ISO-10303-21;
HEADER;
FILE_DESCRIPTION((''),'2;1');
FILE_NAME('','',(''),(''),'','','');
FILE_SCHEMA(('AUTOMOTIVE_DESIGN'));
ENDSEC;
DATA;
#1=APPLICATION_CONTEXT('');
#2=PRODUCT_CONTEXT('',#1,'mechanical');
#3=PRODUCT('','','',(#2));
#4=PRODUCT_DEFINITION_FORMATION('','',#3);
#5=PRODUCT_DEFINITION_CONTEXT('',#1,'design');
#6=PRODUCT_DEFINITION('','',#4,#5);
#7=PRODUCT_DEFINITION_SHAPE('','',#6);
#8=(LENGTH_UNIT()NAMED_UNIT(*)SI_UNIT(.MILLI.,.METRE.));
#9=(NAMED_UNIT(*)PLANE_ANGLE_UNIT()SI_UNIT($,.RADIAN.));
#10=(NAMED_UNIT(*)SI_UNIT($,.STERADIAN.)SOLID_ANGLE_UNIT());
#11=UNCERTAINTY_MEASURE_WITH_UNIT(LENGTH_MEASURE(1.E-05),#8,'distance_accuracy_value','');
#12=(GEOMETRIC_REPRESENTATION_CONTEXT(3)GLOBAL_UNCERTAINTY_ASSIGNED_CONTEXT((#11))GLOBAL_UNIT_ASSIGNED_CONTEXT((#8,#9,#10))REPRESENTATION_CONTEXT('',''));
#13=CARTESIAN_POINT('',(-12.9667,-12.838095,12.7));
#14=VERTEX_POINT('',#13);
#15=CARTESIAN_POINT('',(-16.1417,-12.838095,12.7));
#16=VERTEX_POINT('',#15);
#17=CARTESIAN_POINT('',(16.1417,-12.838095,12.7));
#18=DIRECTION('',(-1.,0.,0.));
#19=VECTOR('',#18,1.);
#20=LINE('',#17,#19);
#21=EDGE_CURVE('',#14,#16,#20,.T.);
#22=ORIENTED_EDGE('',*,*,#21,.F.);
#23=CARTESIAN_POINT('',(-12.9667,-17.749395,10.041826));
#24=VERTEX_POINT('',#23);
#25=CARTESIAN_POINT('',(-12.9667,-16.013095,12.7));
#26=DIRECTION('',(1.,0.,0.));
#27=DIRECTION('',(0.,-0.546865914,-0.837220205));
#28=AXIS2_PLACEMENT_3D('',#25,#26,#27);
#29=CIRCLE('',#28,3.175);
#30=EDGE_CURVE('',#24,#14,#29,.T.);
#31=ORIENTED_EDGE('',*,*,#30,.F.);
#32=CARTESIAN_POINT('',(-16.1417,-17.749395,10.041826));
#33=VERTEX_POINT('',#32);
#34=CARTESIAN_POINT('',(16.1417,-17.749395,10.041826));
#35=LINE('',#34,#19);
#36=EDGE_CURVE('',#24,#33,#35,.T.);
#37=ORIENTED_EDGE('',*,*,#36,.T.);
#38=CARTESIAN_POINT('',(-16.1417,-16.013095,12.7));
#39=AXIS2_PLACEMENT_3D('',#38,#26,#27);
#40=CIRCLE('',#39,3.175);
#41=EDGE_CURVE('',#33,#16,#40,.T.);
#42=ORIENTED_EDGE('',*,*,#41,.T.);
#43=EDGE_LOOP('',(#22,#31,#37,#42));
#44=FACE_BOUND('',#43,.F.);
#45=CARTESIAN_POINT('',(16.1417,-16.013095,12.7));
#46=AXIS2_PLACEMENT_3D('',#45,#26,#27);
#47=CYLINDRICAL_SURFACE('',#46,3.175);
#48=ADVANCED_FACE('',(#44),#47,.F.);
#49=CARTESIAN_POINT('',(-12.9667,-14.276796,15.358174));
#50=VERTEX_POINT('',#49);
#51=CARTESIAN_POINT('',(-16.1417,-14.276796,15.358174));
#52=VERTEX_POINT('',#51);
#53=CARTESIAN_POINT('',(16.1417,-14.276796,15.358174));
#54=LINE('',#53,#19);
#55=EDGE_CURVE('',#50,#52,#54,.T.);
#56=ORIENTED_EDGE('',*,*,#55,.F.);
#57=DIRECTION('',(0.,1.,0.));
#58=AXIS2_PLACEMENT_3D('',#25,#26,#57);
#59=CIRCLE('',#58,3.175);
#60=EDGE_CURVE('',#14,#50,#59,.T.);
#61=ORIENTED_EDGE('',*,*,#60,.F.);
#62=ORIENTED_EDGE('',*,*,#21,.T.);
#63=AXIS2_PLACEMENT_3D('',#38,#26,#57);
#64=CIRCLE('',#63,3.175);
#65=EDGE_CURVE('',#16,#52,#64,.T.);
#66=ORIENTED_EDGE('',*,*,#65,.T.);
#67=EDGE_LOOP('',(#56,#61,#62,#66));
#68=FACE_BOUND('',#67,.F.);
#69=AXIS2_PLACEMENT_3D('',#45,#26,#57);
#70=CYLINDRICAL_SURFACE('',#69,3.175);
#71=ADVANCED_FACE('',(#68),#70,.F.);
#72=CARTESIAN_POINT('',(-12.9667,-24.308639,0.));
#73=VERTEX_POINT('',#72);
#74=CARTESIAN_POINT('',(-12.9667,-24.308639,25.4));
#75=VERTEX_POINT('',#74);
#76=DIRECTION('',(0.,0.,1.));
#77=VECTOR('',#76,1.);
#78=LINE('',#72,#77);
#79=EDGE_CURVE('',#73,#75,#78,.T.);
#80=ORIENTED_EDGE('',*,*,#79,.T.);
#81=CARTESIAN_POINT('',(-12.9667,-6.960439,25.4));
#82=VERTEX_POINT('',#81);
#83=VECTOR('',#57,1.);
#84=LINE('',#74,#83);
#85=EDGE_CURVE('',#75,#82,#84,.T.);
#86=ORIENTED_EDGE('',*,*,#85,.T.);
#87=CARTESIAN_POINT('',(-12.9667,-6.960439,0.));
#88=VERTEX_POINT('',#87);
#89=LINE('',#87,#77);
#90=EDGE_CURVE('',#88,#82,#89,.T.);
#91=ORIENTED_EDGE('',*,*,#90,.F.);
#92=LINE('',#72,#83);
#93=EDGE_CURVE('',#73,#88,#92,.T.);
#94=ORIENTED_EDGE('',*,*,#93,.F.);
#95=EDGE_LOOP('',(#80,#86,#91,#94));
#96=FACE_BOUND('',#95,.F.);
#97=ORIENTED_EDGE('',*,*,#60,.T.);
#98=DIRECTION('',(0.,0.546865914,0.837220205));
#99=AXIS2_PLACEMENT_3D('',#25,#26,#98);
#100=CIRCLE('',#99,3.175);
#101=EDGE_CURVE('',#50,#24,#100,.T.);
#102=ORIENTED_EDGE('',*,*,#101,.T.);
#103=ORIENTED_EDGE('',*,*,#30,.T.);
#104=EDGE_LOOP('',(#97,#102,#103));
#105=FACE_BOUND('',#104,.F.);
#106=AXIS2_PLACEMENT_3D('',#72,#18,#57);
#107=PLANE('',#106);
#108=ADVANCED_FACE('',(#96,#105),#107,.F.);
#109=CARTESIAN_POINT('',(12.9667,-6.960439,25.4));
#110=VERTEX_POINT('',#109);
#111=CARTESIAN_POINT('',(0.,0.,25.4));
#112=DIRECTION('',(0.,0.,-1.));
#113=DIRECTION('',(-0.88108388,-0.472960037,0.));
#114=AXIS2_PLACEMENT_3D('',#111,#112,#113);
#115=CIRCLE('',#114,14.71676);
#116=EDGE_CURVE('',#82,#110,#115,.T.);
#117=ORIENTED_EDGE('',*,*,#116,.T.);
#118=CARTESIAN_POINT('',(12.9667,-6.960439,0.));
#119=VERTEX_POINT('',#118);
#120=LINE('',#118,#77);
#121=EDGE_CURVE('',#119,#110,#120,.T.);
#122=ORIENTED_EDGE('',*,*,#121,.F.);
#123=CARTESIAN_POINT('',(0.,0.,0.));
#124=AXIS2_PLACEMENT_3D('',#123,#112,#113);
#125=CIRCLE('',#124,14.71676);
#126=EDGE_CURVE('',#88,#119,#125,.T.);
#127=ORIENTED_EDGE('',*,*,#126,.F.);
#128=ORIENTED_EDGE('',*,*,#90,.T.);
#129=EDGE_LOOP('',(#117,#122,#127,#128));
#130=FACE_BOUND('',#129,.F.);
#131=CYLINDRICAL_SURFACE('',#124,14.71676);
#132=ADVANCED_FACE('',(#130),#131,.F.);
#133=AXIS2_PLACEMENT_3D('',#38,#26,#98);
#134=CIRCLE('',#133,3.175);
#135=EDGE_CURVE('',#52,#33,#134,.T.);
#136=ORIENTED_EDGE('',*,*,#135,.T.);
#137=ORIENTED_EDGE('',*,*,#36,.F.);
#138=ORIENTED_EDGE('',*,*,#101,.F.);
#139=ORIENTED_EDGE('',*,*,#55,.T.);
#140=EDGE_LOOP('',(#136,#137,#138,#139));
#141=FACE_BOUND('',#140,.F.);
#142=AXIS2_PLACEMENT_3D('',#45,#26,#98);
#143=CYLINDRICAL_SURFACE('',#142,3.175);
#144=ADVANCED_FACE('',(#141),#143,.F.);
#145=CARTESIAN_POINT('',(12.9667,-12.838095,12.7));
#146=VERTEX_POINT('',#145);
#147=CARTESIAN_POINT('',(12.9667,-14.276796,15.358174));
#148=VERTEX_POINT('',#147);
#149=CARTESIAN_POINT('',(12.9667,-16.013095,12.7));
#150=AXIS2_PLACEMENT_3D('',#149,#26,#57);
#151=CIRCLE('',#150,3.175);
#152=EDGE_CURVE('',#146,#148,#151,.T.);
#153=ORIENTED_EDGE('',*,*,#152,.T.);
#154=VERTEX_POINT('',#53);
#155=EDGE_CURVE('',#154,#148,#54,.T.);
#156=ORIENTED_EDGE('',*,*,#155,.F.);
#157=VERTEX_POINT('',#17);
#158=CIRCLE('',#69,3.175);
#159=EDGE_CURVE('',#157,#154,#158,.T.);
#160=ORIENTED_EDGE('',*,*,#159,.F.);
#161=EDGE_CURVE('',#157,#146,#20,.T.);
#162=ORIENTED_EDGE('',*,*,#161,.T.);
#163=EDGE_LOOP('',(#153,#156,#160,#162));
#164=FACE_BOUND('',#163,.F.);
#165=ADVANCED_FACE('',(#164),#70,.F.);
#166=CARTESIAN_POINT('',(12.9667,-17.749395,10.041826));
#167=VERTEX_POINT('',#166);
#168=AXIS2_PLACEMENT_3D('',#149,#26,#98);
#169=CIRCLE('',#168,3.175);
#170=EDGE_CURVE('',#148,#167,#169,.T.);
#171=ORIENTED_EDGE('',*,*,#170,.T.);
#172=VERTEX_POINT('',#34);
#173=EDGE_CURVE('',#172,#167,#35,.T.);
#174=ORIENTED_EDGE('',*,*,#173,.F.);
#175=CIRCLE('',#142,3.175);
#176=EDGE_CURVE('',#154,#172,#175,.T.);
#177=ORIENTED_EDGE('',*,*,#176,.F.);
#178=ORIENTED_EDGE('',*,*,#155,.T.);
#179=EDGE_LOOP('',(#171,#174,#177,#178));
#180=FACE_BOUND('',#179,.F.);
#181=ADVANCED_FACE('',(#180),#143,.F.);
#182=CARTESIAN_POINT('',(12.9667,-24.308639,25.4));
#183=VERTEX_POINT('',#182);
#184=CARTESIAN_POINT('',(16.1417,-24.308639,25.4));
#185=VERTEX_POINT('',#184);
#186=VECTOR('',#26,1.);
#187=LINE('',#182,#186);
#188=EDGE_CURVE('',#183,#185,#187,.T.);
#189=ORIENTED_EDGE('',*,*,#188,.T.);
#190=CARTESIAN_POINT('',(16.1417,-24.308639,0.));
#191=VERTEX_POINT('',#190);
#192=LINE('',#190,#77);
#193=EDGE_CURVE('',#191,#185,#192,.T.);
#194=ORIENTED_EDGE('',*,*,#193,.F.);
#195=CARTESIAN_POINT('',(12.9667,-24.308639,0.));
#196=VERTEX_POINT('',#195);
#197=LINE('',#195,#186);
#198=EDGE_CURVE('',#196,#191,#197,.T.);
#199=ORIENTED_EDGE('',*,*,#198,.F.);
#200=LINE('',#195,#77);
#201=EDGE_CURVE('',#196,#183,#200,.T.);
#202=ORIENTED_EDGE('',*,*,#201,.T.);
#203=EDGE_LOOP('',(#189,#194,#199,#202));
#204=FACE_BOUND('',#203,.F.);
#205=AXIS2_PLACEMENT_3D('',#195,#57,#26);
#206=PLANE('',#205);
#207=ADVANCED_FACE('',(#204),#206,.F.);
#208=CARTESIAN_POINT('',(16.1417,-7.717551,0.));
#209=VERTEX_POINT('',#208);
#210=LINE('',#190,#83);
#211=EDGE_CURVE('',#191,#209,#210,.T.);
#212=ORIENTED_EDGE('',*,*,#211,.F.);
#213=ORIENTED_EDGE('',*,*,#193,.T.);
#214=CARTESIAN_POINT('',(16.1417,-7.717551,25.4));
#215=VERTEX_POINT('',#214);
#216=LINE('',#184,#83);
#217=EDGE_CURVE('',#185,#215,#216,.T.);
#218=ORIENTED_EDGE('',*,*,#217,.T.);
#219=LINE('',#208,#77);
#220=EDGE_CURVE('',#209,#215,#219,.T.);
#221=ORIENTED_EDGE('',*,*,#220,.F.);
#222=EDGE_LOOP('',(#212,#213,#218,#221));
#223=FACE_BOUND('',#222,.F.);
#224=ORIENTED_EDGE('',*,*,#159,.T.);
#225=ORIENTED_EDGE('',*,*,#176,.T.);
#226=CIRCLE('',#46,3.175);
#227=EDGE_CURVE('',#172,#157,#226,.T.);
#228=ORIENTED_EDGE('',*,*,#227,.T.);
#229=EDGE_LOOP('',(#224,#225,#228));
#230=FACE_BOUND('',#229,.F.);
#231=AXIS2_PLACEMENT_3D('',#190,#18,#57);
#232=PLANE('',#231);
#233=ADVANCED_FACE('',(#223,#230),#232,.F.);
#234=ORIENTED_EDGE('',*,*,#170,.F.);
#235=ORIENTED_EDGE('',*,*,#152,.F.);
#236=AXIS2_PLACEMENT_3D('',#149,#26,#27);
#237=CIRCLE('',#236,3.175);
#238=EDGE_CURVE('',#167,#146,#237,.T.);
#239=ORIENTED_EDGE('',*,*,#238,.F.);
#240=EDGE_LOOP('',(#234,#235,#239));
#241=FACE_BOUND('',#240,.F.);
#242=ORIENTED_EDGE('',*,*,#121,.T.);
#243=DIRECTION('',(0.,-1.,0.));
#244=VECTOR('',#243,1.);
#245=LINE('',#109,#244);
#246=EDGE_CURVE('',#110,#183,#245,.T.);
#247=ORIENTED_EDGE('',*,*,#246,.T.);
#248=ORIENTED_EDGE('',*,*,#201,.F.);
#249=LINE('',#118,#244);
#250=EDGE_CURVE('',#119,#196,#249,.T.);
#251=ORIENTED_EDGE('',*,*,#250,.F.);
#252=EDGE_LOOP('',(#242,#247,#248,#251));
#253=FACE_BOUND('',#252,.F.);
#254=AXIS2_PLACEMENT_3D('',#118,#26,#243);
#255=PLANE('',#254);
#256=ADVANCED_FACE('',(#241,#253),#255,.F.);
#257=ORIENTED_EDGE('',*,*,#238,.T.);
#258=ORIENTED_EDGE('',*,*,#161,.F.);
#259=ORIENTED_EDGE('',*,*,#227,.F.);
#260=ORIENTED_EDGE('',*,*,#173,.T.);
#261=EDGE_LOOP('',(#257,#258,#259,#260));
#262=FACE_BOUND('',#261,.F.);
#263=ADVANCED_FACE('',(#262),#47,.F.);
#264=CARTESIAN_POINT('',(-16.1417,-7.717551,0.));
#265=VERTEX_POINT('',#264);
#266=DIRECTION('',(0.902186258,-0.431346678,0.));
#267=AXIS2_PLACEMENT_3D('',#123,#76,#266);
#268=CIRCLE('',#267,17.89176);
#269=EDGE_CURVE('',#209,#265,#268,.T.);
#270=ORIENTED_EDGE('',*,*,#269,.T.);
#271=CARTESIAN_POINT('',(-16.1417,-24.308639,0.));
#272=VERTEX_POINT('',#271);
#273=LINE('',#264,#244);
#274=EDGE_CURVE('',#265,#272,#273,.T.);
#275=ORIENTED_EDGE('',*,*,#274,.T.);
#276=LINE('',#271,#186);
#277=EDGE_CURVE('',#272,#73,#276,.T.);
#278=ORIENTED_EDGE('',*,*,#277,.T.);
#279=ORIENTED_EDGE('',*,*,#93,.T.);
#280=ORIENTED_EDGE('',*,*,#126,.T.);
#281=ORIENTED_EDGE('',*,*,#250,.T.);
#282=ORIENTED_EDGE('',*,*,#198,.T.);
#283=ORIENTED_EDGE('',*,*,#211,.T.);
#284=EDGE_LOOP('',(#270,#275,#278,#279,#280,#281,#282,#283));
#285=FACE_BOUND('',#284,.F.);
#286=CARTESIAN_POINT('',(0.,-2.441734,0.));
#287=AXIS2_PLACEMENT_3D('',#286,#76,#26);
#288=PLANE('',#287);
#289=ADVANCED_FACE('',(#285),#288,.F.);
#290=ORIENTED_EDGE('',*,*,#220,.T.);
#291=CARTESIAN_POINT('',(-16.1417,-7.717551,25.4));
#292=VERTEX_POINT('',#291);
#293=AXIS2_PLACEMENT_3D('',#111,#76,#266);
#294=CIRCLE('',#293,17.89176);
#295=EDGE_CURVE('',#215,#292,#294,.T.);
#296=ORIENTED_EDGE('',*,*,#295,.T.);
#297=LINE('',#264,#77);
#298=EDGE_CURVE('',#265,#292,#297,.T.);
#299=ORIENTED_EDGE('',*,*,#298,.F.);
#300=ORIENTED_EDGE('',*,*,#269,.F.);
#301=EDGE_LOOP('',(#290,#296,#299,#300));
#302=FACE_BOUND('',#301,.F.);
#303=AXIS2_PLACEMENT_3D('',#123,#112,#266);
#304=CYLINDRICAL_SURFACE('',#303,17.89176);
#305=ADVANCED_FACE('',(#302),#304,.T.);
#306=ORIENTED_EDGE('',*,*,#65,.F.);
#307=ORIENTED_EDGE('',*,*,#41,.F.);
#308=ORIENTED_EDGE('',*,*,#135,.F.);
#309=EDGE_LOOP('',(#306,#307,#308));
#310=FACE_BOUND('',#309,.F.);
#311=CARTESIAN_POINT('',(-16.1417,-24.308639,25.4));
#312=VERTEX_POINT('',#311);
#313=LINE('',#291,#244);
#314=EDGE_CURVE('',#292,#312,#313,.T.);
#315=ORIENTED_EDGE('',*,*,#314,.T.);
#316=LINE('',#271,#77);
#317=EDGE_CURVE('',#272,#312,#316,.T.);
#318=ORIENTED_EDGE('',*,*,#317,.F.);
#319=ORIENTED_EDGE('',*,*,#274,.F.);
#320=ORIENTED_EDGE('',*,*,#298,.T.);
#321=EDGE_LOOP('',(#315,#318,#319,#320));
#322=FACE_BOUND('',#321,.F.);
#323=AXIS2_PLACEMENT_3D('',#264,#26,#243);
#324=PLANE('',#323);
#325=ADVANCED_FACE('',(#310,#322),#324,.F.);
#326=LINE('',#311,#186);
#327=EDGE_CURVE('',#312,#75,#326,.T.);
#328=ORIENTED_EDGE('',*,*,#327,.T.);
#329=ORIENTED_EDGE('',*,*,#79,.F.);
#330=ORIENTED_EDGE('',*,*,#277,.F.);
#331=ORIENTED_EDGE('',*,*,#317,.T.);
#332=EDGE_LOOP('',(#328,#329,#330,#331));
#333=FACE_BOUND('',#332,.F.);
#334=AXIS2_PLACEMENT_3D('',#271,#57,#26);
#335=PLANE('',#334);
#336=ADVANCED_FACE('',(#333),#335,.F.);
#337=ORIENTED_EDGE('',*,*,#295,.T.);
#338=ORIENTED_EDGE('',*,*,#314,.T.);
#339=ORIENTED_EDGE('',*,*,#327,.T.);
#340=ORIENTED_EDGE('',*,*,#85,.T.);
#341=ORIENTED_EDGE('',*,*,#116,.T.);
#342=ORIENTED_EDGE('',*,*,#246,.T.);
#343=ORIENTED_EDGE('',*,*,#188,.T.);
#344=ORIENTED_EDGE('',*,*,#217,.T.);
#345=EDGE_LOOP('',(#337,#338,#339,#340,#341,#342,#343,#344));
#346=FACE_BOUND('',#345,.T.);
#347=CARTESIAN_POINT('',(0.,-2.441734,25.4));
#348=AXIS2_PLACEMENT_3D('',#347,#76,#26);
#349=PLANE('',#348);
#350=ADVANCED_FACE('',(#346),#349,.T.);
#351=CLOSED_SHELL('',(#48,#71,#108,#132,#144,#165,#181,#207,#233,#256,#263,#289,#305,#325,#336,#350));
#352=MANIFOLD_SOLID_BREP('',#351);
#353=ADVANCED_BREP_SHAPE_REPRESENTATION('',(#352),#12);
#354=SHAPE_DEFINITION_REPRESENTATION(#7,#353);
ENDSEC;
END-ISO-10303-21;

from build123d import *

# Parameters (mm, degrees)
F1_DEPTH = 25.4
F3_DEPTH = 63.5


with BuildPart() as f1:
    # F0 (on Top) → F1 (new body)
    with BuildSketch(Plane.XY):
        with BuildLine():
            ThreePointArc((-12.9667, -6.9604393545), (0, 14.71676), (12.9667, -6.9604393545))
            Line((12.9667, -6.9604393545), (12.9667, -24.3086393545))
            Line((12.9667, -24.3086393545), (16.1417, -24.3086393545))
            Line((16.1417, -24.3086393545), (16.1417, -7.7175512313))
            ThreePointArc((16.1417, -7.7175512313), (0, 17.89176), (-16.1417, -7.7175512313))
            Line((-16.1417, -7.7175512313), (-16.1417, -24.3086393545))
            Line((-16.1417, -24.3086393545), (-12.9667, -24.3086393545))
            Line((-12.9667, -24.3086393545), (-12.9667, -6.9604393545))
        make_face()
    extrude(amount=F1_DEPTH)

    # F2 (on face) → F3 (cut)
    with BuildSketch(Plane.YZ.offset(16.1417)):
        with BuildLine():
            Line((-17.7493945688, 10.0418258476), (-14.276796017, 15.3581741524))
            ThreePointArc((-14.276796017, 15.3581741524), (-18.6712694453, 14.4362992759), (-17.7493945688, 10.0418258476))
        make_face()
        with BuildLine():
            ThreePointArc((-17.7493945688, 10.0418258476), (-14.501825165, 9.9077450688), (-12.8380952929, 12.7))
            ThreePointArc((-12.8380952929, 12.7), (-13.2208403617, 14.2112701279), (-14.276796017, 15.3581741524))
            Line((-14.276796017, 15.3581741524), (-17.7493945688, 10.0418258476))
        make_face()
    extrude(amount=-F3_DEPTH, mode=Mode.SUBTRACT)


solid = f1.part
